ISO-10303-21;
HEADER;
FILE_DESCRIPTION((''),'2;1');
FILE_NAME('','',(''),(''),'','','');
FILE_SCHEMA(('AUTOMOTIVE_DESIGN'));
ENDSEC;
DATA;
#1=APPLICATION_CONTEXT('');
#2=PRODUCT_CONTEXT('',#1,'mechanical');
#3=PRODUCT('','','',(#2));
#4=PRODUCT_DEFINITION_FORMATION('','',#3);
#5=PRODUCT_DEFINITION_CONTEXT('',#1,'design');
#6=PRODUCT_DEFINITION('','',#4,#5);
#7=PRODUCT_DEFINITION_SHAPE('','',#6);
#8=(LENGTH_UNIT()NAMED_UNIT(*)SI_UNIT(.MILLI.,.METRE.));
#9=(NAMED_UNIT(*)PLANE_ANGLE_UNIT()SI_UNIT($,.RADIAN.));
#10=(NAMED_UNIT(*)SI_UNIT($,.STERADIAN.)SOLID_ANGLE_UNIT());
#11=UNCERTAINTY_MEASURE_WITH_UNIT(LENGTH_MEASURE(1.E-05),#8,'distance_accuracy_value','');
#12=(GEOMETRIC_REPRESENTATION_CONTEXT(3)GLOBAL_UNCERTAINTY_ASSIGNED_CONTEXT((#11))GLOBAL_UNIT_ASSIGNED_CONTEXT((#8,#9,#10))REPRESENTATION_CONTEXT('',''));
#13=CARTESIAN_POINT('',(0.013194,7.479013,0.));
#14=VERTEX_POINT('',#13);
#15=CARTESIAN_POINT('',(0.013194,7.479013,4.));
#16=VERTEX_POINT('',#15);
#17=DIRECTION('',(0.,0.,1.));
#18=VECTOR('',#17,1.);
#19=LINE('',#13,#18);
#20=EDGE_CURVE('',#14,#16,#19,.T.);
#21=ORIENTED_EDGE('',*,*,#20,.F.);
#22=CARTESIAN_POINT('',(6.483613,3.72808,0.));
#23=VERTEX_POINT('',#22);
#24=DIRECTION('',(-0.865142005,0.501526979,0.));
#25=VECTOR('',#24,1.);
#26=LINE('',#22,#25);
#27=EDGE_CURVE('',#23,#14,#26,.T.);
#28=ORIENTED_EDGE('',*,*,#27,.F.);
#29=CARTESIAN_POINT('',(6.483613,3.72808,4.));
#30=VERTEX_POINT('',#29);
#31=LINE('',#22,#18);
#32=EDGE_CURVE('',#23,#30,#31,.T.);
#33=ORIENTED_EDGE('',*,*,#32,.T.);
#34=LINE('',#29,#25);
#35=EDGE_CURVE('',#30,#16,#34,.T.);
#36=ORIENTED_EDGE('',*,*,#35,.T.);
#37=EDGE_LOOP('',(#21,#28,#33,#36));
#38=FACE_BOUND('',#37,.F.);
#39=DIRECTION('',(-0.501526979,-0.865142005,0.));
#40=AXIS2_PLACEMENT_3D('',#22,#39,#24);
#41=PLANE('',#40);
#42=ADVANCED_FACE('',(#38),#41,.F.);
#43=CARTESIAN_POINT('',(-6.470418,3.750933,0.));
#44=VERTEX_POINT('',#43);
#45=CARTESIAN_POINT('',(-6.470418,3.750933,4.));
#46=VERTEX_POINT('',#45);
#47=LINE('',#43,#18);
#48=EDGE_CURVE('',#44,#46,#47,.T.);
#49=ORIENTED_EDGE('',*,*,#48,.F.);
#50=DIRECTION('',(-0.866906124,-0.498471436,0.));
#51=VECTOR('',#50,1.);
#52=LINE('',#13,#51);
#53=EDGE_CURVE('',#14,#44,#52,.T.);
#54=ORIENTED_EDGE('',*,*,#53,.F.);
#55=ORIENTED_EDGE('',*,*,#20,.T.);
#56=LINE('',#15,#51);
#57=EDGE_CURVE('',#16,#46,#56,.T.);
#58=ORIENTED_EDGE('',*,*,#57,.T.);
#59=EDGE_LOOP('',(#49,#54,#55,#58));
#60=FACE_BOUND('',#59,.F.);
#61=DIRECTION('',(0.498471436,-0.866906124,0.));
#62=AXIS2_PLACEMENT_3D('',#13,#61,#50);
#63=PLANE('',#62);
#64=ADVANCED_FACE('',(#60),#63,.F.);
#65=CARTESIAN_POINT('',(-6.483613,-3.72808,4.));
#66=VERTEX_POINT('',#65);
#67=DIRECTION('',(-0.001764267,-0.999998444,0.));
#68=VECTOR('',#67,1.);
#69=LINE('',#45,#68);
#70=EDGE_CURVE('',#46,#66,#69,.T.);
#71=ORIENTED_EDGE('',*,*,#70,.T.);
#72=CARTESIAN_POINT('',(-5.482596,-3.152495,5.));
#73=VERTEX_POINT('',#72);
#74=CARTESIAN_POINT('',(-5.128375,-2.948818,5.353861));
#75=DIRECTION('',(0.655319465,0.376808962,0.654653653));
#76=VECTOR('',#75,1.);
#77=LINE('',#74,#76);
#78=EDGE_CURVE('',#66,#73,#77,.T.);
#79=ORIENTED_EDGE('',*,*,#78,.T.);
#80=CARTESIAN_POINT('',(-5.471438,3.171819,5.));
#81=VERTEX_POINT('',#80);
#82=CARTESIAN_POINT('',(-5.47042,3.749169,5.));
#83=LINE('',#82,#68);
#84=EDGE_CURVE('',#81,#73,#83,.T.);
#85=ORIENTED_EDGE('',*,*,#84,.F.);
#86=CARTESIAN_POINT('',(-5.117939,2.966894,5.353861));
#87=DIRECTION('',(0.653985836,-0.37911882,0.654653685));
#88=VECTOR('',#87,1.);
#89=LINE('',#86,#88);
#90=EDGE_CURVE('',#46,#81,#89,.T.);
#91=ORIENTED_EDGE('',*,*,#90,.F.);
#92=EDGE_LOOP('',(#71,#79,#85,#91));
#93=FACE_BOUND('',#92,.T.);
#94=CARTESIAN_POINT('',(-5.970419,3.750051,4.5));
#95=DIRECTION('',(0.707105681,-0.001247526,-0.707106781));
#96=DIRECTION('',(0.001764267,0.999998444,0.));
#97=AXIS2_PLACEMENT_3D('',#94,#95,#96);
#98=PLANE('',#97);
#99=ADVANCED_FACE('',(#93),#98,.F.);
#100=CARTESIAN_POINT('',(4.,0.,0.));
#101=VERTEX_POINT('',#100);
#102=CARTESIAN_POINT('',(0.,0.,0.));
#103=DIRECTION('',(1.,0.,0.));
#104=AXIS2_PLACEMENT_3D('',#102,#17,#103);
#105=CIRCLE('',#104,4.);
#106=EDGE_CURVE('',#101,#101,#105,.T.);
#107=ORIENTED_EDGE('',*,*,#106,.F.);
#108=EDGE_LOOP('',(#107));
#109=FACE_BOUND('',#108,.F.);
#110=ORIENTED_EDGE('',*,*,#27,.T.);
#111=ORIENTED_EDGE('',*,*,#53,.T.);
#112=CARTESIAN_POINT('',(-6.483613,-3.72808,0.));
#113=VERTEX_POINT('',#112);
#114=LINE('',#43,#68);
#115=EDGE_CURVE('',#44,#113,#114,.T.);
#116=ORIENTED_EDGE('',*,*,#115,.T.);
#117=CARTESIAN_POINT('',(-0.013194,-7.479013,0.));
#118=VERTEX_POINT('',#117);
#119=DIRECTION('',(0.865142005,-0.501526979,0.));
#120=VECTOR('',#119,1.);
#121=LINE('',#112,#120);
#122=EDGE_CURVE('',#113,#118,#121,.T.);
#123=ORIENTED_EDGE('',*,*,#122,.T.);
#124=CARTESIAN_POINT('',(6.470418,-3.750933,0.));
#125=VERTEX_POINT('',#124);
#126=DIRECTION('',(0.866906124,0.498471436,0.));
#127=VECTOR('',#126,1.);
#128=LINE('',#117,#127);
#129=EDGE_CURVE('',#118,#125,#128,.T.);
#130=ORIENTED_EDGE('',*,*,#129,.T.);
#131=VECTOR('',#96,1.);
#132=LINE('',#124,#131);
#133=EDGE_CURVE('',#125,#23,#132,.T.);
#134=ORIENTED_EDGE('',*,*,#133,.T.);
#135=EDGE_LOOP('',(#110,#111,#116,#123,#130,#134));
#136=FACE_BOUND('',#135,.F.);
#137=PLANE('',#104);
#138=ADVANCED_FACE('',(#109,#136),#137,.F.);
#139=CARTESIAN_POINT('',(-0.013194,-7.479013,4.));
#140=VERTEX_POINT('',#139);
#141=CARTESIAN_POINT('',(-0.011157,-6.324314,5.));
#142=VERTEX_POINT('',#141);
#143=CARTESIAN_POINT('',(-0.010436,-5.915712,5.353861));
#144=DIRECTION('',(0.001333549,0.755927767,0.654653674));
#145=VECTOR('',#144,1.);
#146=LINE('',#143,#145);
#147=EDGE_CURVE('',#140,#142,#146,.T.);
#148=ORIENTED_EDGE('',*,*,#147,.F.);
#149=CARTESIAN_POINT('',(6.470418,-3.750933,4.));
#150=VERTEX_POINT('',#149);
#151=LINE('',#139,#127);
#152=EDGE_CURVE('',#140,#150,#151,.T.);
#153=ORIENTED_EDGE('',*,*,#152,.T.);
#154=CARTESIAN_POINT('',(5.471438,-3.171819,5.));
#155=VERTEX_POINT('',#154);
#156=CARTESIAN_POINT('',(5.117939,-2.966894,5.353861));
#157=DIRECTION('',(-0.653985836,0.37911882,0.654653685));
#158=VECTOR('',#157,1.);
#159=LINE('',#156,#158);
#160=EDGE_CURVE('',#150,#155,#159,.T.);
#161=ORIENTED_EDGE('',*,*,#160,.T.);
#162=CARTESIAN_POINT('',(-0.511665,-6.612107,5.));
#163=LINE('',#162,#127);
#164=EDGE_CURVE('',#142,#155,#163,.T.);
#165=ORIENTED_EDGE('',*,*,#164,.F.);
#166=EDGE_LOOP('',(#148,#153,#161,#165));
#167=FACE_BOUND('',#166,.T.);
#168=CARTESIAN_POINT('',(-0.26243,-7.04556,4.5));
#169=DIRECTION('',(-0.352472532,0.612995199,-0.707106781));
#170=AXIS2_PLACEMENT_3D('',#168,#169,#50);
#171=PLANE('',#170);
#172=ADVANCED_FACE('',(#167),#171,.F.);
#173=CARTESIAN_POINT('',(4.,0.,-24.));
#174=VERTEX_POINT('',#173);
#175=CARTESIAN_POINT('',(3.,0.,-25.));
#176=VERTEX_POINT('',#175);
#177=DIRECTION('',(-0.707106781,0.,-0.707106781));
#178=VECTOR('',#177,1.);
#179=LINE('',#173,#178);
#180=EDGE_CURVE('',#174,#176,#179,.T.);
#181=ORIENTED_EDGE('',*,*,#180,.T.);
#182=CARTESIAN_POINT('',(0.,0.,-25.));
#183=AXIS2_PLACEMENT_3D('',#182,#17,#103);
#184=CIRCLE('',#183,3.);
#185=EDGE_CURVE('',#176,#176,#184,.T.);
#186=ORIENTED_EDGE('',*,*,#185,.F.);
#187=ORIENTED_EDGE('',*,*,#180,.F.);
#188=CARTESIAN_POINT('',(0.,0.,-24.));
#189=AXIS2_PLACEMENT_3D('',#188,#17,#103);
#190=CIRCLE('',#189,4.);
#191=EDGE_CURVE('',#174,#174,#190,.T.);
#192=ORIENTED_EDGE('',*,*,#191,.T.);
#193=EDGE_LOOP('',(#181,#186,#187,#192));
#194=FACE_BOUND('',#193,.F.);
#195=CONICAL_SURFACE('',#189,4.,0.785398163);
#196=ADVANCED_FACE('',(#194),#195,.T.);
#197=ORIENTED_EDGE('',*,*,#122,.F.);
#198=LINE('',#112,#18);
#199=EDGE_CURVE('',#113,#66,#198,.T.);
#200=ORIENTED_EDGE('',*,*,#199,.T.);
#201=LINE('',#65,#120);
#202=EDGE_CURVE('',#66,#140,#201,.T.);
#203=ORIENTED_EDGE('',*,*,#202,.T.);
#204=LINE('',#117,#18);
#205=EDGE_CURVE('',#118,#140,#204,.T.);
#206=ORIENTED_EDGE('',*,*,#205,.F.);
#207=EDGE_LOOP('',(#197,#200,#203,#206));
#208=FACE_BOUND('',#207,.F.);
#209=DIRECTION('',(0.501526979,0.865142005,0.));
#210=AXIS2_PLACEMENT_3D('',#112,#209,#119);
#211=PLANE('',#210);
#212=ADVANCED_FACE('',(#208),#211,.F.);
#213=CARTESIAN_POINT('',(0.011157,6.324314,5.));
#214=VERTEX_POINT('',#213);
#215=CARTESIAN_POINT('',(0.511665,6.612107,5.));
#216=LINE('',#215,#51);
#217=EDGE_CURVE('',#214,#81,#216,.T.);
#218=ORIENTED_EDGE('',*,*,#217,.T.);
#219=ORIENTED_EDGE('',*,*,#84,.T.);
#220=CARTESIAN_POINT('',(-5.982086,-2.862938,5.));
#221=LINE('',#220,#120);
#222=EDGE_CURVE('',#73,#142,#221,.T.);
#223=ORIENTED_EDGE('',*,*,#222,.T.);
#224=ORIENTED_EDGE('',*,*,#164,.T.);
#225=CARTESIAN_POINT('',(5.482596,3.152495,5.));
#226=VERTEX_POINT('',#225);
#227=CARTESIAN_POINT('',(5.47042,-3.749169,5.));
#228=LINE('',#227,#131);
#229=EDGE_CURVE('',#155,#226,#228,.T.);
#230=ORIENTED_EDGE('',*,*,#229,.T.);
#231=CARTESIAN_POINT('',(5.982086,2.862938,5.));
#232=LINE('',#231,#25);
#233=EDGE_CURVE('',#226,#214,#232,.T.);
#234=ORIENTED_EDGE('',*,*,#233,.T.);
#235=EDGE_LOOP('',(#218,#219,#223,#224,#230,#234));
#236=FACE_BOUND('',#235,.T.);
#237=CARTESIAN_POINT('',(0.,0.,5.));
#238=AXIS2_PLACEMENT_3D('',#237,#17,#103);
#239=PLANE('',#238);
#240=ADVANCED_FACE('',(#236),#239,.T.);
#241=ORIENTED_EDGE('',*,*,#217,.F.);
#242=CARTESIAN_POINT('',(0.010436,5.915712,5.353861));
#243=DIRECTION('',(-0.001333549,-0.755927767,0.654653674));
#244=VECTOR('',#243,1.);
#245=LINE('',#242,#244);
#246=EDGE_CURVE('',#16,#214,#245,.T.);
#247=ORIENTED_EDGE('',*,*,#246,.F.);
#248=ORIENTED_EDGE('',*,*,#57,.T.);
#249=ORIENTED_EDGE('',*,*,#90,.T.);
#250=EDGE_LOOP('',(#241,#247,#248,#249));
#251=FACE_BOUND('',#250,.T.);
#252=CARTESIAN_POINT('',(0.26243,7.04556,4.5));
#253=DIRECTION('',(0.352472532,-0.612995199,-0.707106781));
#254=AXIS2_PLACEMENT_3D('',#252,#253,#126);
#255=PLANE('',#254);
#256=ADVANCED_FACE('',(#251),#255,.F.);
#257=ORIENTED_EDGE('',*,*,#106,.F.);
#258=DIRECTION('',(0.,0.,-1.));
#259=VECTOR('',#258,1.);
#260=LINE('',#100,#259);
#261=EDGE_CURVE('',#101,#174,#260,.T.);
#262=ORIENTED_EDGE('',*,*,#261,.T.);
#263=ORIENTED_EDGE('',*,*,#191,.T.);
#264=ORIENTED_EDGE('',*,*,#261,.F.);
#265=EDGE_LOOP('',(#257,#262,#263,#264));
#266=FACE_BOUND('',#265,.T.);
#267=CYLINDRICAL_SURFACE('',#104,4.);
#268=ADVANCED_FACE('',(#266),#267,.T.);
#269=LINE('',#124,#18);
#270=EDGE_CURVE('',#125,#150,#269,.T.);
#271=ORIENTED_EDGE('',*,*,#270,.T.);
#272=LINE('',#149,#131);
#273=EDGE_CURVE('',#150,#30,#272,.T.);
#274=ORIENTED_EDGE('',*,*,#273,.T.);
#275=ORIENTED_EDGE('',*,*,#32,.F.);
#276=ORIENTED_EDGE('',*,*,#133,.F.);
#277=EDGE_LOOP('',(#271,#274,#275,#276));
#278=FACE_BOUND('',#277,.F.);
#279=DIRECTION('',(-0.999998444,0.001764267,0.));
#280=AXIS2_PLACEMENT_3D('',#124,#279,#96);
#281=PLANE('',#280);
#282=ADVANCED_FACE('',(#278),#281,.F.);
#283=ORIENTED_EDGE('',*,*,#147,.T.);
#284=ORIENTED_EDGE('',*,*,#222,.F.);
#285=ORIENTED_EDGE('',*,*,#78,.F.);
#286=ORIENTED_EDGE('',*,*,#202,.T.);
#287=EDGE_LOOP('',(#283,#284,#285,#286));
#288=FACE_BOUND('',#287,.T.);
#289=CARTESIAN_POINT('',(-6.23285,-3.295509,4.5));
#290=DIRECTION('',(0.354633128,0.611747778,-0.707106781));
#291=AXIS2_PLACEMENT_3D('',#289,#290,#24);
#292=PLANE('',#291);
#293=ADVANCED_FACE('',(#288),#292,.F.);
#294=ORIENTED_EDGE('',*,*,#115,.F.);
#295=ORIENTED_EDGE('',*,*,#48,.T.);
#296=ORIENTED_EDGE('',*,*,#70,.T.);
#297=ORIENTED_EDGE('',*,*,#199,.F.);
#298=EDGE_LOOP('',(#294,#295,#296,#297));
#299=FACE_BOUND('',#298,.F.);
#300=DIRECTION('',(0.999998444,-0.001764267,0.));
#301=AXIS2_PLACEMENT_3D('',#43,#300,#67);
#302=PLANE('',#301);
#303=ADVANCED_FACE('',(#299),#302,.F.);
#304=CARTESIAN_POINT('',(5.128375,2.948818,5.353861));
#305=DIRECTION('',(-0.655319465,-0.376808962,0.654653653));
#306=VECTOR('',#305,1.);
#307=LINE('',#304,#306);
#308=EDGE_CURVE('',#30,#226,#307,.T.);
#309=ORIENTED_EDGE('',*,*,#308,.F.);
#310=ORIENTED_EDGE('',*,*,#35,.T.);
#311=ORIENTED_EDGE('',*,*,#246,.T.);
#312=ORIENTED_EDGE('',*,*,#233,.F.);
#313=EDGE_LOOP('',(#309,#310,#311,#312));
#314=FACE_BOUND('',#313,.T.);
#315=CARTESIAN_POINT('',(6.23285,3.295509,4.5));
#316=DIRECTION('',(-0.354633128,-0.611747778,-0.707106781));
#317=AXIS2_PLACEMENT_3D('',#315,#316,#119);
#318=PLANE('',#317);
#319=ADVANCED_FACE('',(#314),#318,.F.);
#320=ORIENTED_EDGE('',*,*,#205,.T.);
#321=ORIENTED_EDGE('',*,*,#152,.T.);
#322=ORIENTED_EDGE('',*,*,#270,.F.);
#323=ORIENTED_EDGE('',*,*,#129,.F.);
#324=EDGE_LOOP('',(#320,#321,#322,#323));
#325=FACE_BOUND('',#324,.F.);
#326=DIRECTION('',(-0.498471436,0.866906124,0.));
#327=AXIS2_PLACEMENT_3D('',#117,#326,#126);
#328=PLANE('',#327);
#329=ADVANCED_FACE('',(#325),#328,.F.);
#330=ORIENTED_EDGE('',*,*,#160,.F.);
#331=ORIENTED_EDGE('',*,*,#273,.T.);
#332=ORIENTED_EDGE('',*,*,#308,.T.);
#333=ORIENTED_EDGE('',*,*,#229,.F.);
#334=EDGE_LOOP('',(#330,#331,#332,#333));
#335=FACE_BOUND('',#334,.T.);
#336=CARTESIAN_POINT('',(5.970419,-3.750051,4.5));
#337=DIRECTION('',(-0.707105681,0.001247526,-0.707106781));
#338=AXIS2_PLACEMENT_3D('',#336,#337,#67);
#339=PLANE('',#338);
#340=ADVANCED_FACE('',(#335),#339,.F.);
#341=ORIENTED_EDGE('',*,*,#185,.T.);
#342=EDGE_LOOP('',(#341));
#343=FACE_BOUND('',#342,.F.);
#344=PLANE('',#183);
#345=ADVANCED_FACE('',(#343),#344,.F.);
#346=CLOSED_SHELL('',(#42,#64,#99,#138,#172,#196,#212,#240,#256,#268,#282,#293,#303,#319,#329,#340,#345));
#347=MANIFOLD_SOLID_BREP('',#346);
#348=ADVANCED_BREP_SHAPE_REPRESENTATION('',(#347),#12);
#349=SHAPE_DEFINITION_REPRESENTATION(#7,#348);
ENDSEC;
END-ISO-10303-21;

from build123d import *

# Parameters (mm, degrees)
F1_DEPTH = 5
F2_R     = 4
F3_DEPTH = 25
F4_SIZE  = 1
F5_SIZE  = 1


with BuildPart() as f1:
    # F0 (on Top) → F1 (new body)
    with BuildSketch(Plane.XY):
        Polygon((-0.013194, -7.479013), (6.470418, -3.750933), (6.483613, 3.72808), (0.013194, 7.479013), (-6.470418, 3.750933), (-6.483613, -3.72808), align=None)
    extrude(amount=F1_DEPTH)

    # F2 (on Top) → F3 (join)
    with BuildSketch(Plane.XY):
        Circle(F2_R)
    extrude(amount=-F3_DEPTH)

    # F4
    f4_edges = [f1.edges().sort_by_distance(p)[0] for p in [
        (-4, 0, -25),
    ]]
    chamfer(f4_edges, length=F4_SIZE)

    # F5
    f5_edges = [f1.edges().sort_by_distance(p)[0] for p in [
        (6.477015, -0.011427, 5),
        (3.228612, -5.614973, 5),
        (3.248403, 5.603547, 5),
        (-6.477015, 0.011427, 5),
        (-3.248403, -5.603547, 5),
        (-3.228612, 5.614973, 5),
    ]]
    chamfer(f5_edges, length=F5_SIZE)


solid = f1.part
